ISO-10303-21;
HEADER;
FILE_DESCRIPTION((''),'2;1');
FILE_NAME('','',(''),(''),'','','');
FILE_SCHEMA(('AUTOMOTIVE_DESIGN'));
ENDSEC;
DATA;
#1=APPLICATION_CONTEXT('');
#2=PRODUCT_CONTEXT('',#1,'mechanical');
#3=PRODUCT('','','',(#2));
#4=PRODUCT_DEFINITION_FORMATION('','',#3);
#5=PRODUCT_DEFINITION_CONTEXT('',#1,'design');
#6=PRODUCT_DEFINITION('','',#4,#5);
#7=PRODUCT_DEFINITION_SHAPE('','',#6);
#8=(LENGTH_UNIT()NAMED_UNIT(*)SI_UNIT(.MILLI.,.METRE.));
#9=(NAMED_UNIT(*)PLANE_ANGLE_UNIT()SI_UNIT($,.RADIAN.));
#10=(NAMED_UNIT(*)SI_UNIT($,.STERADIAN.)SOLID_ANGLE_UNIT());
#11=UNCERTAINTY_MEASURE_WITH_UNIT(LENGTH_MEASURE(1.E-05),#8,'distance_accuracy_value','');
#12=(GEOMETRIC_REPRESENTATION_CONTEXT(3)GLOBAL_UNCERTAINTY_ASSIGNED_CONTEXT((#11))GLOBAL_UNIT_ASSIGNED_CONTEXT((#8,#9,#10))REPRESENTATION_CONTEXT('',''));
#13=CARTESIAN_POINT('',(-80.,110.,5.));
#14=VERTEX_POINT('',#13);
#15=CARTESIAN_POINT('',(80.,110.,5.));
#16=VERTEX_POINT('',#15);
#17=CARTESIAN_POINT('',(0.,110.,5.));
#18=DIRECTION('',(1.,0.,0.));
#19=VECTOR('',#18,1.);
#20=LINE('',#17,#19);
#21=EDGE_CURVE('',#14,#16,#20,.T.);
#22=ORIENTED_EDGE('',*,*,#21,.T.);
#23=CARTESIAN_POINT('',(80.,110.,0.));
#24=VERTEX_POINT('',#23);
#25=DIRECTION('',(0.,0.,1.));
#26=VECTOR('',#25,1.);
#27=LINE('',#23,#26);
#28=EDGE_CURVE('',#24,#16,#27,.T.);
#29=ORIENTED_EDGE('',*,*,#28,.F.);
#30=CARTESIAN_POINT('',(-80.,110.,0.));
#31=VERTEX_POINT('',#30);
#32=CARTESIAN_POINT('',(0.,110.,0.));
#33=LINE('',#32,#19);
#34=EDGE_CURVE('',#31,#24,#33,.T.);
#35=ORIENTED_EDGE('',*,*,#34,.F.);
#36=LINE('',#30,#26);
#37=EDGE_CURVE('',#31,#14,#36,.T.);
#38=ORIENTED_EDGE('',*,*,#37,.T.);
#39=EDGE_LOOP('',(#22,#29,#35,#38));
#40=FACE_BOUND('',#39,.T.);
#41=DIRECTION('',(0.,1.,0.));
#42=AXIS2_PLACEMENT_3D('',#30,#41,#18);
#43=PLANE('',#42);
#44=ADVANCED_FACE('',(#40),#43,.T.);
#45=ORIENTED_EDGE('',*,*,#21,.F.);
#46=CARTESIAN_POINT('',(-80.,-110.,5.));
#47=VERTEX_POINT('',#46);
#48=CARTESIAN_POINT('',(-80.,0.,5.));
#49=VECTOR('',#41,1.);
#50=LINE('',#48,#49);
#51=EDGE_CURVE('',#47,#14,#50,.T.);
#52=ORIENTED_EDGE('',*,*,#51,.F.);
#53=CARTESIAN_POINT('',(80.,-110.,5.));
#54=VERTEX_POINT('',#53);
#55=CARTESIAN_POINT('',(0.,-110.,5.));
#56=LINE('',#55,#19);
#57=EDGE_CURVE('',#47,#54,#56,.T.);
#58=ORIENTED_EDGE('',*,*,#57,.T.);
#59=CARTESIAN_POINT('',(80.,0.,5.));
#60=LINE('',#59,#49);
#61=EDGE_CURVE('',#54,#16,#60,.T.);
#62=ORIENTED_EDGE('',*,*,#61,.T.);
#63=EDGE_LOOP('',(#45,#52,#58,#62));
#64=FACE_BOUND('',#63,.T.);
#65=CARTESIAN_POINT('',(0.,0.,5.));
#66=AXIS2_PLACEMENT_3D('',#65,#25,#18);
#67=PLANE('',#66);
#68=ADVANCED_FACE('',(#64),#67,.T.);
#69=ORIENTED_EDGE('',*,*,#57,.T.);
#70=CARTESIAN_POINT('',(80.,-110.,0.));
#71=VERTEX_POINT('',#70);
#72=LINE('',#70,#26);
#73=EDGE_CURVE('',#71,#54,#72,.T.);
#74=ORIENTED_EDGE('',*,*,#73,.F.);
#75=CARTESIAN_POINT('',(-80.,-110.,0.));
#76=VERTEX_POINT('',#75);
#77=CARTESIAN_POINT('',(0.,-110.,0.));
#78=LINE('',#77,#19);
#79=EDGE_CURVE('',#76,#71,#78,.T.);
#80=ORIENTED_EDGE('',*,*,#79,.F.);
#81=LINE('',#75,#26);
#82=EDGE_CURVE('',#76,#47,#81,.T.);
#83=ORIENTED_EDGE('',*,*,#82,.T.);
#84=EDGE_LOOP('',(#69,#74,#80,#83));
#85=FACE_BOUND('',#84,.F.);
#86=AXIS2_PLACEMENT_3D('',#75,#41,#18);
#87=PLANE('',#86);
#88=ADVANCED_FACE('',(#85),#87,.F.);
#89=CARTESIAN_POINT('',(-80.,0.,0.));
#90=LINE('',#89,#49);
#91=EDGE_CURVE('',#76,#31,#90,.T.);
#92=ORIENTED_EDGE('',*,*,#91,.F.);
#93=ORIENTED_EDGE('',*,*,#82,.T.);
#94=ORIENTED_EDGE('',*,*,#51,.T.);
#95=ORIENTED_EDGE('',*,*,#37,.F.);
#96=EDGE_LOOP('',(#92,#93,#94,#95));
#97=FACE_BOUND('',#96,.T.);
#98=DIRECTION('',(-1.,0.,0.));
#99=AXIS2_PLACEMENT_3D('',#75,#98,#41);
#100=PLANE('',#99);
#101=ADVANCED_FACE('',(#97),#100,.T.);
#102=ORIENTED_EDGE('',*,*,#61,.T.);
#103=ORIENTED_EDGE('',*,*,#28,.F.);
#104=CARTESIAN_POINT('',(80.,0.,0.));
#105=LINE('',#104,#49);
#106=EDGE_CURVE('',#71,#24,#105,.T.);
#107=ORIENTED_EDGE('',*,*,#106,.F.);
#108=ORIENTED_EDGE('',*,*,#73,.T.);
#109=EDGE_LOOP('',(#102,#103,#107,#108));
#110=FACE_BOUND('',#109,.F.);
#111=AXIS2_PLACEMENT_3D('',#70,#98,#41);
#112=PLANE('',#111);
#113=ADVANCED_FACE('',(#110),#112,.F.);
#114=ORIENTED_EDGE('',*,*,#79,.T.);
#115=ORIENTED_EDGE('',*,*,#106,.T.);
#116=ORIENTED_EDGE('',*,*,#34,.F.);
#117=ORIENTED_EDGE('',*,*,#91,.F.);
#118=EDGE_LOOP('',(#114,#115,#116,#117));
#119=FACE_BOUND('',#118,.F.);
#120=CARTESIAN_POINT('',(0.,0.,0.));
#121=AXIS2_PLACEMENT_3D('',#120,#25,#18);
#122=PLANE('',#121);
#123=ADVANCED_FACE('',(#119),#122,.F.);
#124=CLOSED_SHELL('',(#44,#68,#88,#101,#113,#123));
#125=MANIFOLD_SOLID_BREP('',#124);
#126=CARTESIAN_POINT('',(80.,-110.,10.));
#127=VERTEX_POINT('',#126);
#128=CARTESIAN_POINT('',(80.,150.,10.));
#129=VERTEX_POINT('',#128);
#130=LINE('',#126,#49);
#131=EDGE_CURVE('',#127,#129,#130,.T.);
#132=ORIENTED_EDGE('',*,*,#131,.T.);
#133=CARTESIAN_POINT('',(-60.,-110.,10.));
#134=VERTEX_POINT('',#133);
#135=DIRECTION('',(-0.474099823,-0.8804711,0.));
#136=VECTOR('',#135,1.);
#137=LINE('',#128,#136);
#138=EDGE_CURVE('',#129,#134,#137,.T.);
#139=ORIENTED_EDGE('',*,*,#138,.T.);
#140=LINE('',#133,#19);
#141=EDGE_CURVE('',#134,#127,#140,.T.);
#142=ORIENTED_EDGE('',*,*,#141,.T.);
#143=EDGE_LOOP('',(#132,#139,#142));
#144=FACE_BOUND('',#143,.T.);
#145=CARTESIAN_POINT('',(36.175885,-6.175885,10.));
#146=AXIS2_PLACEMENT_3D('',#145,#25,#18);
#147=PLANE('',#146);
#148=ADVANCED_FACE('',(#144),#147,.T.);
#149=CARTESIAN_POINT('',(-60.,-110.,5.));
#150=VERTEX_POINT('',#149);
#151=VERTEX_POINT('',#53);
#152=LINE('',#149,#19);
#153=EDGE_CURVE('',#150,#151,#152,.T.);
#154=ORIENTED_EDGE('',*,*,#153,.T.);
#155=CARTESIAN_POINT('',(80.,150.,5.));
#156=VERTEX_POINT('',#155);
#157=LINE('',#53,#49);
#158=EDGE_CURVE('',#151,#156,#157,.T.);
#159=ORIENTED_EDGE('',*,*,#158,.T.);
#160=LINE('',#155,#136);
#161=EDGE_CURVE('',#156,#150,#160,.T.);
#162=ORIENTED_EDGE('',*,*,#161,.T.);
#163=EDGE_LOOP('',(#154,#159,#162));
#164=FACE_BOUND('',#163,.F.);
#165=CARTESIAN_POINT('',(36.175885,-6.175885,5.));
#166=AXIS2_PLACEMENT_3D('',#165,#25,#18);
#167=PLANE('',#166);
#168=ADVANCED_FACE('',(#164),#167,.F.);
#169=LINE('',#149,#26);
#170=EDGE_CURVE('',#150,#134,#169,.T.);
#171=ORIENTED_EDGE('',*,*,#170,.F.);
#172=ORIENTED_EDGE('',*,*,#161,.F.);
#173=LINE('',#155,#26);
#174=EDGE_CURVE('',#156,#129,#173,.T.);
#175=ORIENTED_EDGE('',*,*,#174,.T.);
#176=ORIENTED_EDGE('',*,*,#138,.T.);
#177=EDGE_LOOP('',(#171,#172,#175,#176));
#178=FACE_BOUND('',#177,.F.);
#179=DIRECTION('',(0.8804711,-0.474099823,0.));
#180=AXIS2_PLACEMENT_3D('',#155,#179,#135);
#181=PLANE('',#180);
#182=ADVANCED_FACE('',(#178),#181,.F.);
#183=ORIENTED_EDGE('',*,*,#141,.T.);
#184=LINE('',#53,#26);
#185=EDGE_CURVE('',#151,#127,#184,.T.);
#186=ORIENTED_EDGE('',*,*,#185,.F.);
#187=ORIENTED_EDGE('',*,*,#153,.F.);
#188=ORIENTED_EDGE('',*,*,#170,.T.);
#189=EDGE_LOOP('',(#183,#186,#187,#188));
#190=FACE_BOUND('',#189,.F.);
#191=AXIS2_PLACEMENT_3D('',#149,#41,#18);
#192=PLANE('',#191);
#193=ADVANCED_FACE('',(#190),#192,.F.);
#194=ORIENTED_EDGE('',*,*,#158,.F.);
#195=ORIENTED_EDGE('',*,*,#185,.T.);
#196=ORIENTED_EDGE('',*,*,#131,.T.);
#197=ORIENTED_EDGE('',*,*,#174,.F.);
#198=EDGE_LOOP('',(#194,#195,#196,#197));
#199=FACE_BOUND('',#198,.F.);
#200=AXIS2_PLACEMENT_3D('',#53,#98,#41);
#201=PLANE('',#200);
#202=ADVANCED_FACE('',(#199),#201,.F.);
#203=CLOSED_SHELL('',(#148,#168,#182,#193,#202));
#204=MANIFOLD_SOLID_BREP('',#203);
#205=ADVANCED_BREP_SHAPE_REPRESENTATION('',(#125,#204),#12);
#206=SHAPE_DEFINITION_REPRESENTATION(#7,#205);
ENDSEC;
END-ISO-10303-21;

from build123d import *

# Parameters (mm, degrees)
F0_W     = 160
F0_H     = 220
F1_DEPTH = 5
F3_DEPTH = 5


with BuildPart() as f1:
    # F0 (on Top) → F1 (new body)
    with BuildSketch(Plane.XY):
        Rectangle(F0_W, F0_H)
    extrude(amount=F1_DEPTH)


with BuildPart() as f3:
    # F2 (on face) → F3 (new body)
    with BuildSketch(Plane.XY.offset(5)):
        Polygon((-60, -110), (80, -110), (80, 150), align=None)
    extrude(amount=F3_DEPTH)


solid = Compound([f1.part, f3.part])
